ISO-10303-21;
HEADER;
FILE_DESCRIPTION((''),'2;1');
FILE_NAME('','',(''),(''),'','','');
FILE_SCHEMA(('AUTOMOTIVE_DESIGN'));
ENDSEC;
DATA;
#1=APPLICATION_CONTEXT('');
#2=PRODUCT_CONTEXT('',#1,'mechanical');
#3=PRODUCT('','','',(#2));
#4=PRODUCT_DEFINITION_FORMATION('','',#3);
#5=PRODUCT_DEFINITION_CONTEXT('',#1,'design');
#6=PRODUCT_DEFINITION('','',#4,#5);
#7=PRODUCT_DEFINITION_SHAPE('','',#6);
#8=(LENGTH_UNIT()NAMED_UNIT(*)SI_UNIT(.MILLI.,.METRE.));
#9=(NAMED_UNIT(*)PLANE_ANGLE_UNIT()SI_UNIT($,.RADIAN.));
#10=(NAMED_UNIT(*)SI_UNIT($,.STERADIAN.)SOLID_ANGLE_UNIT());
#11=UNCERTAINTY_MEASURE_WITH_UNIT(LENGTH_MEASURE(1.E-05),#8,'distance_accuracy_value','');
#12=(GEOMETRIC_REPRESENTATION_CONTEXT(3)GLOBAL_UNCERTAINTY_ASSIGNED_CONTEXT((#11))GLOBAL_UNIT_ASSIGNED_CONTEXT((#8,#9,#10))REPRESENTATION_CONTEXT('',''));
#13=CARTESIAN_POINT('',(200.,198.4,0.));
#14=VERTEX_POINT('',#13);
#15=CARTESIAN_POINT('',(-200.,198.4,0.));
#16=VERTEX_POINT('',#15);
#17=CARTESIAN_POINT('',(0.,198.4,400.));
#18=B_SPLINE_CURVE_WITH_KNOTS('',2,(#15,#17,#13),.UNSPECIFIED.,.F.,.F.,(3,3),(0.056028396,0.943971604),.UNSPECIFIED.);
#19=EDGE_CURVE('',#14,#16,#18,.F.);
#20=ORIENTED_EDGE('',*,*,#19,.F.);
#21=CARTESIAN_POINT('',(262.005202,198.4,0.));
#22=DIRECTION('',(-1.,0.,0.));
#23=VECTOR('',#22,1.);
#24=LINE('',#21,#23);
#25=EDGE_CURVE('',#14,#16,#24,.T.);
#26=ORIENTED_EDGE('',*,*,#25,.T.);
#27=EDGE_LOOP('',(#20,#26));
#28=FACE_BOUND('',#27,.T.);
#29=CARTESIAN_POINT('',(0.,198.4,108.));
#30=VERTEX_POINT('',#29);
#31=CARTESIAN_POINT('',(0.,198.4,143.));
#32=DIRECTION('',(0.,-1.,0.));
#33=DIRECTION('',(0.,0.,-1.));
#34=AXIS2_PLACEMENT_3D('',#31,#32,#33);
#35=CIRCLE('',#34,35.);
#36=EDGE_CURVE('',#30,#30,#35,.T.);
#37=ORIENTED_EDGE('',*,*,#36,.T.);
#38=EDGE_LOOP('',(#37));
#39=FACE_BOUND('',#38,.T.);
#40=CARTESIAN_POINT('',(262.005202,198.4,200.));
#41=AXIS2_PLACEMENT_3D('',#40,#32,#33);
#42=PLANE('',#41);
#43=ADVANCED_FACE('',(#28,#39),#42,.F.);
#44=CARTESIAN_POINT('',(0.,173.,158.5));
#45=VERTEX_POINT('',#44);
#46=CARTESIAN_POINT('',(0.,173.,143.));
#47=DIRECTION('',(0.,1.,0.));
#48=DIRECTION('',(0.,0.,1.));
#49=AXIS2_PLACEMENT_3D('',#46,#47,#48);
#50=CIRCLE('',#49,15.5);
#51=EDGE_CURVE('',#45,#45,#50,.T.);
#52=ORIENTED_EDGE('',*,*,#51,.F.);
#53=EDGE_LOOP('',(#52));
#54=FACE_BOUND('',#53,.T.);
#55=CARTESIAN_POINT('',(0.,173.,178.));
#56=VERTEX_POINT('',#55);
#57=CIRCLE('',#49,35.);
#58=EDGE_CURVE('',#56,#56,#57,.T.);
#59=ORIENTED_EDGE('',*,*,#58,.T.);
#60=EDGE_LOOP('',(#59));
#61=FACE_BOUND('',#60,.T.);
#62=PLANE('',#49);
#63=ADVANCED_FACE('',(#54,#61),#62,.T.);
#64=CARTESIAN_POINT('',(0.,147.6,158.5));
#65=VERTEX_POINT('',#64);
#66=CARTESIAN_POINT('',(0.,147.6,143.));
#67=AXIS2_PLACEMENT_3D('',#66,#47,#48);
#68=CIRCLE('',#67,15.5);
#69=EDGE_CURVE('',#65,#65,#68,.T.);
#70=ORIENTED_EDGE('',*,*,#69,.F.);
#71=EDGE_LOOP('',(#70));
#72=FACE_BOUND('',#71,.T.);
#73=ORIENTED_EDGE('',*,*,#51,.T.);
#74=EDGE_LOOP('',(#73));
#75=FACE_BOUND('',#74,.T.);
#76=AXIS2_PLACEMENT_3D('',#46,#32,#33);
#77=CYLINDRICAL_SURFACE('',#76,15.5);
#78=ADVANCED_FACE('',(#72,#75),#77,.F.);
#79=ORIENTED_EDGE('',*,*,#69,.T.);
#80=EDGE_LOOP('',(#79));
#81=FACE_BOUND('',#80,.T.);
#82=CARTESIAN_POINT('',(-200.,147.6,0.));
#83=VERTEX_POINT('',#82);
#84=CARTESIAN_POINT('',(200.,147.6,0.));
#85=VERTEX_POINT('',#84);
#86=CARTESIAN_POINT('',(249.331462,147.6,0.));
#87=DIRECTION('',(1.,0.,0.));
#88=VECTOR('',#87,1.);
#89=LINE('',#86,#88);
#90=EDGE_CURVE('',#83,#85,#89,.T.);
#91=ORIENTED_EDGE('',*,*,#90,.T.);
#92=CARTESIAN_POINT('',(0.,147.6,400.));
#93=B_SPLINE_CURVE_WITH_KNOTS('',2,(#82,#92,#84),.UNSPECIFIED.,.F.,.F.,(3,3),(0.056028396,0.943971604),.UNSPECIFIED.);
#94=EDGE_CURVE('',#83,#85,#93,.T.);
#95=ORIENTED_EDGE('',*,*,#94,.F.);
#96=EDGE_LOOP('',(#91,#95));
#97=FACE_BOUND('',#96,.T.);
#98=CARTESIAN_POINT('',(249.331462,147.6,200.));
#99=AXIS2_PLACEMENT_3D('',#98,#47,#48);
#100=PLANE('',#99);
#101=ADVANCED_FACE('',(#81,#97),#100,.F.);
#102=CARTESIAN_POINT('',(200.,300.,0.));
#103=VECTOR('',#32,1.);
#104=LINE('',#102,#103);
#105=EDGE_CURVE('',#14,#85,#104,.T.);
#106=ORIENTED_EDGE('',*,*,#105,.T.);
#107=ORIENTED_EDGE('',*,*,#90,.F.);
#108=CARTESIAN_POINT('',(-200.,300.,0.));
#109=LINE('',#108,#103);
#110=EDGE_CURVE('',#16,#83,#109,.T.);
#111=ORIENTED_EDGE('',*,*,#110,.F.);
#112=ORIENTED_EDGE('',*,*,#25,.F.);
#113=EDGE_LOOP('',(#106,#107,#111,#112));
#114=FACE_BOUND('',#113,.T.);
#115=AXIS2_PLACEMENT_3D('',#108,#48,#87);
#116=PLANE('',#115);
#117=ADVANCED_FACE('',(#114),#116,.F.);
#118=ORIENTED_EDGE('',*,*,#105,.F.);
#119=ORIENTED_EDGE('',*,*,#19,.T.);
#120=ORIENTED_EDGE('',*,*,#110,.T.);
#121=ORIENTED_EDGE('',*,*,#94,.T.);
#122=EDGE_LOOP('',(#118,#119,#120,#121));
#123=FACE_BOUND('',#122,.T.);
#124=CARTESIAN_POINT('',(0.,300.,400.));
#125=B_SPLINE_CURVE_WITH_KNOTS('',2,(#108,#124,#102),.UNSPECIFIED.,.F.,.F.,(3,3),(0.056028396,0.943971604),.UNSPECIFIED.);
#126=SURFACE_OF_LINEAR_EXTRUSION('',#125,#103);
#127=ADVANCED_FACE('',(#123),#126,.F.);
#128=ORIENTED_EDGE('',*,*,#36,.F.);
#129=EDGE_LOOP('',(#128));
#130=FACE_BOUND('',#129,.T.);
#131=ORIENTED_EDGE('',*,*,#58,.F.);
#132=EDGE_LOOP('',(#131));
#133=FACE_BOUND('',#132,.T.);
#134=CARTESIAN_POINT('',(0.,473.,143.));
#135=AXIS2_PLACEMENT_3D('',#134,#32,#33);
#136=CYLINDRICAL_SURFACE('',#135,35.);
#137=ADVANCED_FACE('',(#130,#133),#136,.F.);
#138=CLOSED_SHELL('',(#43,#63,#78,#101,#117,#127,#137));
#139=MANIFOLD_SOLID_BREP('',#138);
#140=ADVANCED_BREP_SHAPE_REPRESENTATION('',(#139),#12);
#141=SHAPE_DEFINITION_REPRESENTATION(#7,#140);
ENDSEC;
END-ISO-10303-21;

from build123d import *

# Parameters (mm, degrees)
BOSS_EXTRUDE1_DEPTH     = 300
SKETCH3_R               = 15.5
CUT_EXTRUDE1_DEPTH      = 23
CUT_EXTRUDE1_DEPTH_BACK = 23
SKETCH4_R               = 35
CUT_EXTRUDE3_DEPTH      = 300
SKETCH5_W               = 541.558659161
SKETCH5_H               = 211.066516127
SKETCH5_W_2             = 529.372370701
SKETCH5_H_2             = 106.264435371
CUT_EXTRUDE4_DEPTH      = 201.0000001


with BuildPart() as part:
    # Sketch1 → Boss-Extrude1 (new body)
    with BuildSketch(Plane(origin=(0, 0, 0), x_dir=(1, 0, 0), z_dir=(0, 1, 0))):
        with BuildLine():
            Line((-200, 1e-09), (200, 1e-09))
            add(Edge.make_bspline(
                [(-200, 1e-09), (0, -400.000000001), (200, 1e-09)],
                knots=[0.056028396, 0.056028396, 0.056028396, 0.943971604, 0.943971604, 0.943971604], degree=2))
        make_face()
    extrude(amount=BOSS_EXTRUDE1_DEPTH)

    # Sketch3 → Cut-Extrude1 (cut, two sides)
    with BuildSketch(Plane(origin=(0, 150, 0), x_dir=(1, 0, 0), z_dir=(0, 1, 0))) as cut_extrude1_sk:
        with Locations((0, -142.999999999)):
            Circle(SKETCH3_R)
    extrude(amount=CUT_EXTRUDE1_DEPTH, mode=Mode.SUBTRACT)
    extrude(cut_extrude1_sk.sketch, amount=-CUT_EXTRUDE1_DEPTH_BACK, mode=Mode.SUBTRACT)

    # Sketch4 → Cut-Extrude3 (cut)
    with BuildSketch(Plane(origin=(0, 173, 0), x_dir=(1, 0, 0), z_dir=(0, 1, 0))):
        with Locations((0, -142.999999999)):
            Circle(SKETCH4_R)
    cut_extrude3 = extrude(amount=CUT_EXTRUDE3_DEPTH, mode=Mode.SUBTRACT)

    # Mirror1: Cut-Extrude3 across plane
    add(cut_extrude3.mirror(Plane.ZX.offset(150)), mode=Mode.SUBTRACT)

    # Sketch5 → Cut-Extrude4 (cut, through all)
    with BuildSketch(Plane(origin=(0, 0, 0), x_dir=(-1, 0, 0), z_dir=(0, 0, -1))):
        with Locations((21.44786769, 42.066741937)):
            Rectangle(SKETCH5_W, SKETCH5_H)
        with Locations((2.680983461, 251.532217686)):
            Rectangle(SKETCH5_W_2, SKETCH5_H_2)
    extrude(amount=-CUT_EXTRUDE4_DEPTH, mode=Mode.SUBTRACT)


solid = part.part
